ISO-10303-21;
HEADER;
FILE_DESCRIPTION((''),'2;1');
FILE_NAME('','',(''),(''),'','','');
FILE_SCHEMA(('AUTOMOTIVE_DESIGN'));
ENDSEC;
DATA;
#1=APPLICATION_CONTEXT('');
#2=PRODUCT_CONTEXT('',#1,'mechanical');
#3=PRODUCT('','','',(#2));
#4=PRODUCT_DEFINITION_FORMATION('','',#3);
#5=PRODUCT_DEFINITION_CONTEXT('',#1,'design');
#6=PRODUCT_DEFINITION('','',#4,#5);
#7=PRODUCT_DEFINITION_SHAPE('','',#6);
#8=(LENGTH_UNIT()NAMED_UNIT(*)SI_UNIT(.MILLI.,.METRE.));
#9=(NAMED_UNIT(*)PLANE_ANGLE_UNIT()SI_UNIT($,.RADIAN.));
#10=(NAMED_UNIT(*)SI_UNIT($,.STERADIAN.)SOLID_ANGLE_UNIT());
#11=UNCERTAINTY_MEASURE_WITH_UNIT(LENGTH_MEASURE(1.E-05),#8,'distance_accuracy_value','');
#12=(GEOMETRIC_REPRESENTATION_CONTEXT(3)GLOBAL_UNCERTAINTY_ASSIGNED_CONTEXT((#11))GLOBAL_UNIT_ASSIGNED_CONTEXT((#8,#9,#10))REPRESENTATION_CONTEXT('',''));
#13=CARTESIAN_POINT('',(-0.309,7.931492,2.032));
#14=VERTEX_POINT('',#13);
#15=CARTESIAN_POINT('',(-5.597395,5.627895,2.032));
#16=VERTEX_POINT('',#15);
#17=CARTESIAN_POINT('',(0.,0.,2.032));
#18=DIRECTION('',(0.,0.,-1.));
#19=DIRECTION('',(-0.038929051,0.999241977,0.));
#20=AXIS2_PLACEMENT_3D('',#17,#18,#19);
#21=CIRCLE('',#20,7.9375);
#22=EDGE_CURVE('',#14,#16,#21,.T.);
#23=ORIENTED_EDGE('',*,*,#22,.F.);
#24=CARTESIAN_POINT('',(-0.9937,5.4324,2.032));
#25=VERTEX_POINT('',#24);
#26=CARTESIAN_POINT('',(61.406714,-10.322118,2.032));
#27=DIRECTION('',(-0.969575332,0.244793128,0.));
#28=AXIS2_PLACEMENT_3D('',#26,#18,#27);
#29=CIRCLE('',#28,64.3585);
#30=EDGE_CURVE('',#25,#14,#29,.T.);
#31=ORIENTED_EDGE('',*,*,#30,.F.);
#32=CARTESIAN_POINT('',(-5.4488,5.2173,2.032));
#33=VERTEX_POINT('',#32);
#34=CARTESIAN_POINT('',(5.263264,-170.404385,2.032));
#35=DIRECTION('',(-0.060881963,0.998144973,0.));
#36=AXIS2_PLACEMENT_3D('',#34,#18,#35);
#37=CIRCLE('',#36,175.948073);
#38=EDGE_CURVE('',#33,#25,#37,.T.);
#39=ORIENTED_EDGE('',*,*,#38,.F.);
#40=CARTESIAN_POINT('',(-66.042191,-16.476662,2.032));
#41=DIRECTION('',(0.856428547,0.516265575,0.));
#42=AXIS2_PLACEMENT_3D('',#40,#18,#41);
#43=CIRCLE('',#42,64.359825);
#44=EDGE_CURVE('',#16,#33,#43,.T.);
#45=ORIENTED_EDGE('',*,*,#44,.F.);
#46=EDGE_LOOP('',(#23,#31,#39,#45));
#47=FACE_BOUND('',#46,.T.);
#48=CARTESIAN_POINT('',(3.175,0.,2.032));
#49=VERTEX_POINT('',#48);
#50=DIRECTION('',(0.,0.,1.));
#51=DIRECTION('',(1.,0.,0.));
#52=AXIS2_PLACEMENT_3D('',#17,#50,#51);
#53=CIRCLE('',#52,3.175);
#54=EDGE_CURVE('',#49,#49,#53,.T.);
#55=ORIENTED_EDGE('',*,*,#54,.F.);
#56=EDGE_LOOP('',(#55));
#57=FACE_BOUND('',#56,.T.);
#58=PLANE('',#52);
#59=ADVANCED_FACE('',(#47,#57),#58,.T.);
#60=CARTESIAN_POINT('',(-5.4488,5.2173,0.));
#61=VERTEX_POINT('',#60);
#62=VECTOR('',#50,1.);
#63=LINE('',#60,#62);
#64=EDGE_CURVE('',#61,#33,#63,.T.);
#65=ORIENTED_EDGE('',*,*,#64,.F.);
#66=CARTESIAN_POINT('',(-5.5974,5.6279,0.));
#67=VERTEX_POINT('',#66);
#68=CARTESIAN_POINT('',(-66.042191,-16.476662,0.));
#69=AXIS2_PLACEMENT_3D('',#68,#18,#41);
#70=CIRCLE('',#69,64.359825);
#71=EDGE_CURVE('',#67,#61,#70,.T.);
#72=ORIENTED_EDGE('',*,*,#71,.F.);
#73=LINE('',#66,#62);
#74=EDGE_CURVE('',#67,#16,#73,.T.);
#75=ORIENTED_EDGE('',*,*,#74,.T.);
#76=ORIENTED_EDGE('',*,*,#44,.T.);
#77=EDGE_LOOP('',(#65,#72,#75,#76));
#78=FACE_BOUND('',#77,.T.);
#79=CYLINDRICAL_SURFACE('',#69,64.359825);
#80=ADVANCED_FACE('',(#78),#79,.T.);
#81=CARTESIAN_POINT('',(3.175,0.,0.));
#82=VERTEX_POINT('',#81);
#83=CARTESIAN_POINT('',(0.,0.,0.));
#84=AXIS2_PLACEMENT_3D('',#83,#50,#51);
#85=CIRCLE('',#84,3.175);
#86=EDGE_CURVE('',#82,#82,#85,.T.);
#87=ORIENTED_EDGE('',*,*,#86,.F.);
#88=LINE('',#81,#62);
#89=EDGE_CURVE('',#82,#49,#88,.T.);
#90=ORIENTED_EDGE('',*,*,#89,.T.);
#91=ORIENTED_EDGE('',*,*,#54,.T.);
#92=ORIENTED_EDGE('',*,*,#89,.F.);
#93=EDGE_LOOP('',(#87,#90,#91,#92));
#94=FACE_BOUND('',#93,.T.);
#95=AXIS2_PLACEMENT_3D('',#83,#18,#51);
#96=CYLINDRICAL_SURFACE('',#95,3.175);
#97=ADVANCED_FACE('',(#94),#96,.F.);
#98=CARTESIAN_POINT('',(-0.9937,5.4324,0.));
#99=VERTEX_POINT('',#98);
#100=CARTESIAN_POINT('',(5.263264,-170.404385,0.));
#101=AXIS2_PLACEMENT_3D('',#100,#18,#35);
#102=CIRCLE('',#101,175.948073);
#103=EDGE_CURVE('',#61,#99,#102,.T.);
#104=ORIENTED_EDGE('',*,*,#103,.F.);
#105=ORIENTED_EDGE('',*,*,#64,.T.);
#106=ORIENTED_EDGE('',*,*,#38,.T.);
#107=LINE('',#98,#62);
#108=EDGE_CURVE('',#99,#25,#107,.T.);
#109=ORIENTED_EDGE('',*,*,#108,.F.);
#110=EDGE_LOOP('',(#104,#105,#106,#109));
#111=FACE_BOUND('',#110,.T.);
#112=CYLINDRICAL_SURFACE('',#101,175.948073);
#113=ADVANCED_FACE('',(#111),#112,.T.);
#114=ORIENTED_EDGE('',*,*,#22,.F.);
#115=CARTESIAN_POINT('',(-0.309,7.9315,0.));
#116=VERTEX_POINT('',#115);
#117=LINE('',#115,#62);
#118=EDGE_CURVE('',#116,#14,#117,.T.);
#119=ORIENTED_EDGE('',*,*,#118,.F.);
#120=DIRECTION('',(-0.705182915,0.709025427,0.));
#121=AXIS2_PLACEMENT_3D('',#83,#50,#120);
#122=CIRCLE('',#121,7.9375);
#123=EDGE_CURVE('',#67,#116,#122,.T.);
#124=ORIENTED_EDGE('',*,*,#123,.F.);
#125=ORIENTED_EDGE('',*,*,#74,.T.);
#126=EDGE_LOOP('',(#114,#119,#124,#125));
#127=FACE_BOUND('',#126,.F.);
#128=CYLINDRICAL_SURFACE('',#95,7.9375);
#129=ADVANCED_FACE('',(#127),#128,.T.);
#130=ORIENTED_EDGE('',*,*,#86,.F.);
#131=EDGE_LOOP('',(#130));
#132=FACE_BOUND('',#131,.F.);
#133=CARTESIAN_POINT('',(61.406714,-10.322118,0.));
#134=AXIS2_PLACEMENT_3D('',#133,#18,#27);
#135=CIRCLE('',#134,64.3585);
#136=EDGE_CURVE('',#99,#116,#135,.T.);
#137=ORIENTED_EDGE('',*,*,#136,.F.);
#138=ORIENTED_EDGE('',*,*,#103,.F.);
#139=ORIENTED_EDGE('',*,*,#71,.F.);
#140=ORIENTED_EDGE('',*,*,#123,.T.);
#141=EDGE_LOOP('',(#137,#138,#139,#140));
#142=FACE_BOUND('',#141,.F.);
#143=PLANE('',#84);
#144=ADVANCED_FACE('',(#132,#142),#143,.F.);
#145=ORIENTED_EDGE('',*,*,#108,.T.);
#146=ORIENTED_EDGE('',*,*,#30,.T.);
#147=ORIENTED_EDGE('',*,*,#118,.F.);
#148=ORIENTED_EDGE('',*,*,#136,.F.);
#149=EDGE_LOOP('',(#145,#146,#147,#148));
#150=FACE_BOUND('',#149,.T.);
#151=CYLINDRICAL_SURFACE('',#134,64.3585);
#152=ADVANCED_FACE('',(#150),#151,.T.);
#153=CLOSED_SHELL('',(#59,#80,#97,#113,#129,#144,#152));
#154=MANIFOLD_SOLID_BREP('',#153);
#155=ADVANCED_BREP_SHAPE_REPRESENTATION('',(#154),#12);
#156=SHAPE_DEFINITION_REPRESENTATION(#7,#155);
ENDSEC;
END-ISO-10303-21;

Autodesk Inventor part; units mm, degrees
ref_plane "YZ Plane" through (0, 0, 0) normal (1, 0, 0) x (0, 1, 0)
ref_plane "XZ Plane" through (0, 0, 0) normal (0, 1, 0) x (-1, 0, 0)
ref_plane "XY Plane" through (0, 0, 0) normal (0, 0, 1) x (1, 0, 0)
sketch "Sketch1" plane through (0, 0, 0) normal (0, 0, 1) x (1, 0, 0)
  circle A0 centre (0, 0) radius 7.9375
  circle A1 centre (0, 0) radius 3.175
  dimension "d0" = 15.875
  dimension "d1" = 6.35
extrude "Extrusion1" add sketch "Sketch1" along normal blind 2.032
sketch "Sketch2" plane through (0, 0, 0) normal (0, 0, -1) x (-1, 0, 0)
  arc A0 (5.4488, 5.2173) -> (0.9937, 5.4324) centre (-5.2691, -170.5112) ccw projected
  arc A1 (0.9937, 5.4324) -> (-3.3435, 17.439) centre (-61.406, -10.3219) ccw projected
  arc A2 (10.9226, 16.7501) -> (5.4488, 5.2173) centre (66.0404, -16.4757) ccw projected
  arc A3 (5.5974, 5.6279) -> (0.309, 7.9315) centre (0, 0) ccw
  circle A4 centre (0, 0) radius 7.9375 construction
  dimension "d4" = 7.9375
extrude "Extrusion2" cut sketch "Sketch2" against normal blind 25.4
properties part number "Gear Washer Spacer" material "Steel"
